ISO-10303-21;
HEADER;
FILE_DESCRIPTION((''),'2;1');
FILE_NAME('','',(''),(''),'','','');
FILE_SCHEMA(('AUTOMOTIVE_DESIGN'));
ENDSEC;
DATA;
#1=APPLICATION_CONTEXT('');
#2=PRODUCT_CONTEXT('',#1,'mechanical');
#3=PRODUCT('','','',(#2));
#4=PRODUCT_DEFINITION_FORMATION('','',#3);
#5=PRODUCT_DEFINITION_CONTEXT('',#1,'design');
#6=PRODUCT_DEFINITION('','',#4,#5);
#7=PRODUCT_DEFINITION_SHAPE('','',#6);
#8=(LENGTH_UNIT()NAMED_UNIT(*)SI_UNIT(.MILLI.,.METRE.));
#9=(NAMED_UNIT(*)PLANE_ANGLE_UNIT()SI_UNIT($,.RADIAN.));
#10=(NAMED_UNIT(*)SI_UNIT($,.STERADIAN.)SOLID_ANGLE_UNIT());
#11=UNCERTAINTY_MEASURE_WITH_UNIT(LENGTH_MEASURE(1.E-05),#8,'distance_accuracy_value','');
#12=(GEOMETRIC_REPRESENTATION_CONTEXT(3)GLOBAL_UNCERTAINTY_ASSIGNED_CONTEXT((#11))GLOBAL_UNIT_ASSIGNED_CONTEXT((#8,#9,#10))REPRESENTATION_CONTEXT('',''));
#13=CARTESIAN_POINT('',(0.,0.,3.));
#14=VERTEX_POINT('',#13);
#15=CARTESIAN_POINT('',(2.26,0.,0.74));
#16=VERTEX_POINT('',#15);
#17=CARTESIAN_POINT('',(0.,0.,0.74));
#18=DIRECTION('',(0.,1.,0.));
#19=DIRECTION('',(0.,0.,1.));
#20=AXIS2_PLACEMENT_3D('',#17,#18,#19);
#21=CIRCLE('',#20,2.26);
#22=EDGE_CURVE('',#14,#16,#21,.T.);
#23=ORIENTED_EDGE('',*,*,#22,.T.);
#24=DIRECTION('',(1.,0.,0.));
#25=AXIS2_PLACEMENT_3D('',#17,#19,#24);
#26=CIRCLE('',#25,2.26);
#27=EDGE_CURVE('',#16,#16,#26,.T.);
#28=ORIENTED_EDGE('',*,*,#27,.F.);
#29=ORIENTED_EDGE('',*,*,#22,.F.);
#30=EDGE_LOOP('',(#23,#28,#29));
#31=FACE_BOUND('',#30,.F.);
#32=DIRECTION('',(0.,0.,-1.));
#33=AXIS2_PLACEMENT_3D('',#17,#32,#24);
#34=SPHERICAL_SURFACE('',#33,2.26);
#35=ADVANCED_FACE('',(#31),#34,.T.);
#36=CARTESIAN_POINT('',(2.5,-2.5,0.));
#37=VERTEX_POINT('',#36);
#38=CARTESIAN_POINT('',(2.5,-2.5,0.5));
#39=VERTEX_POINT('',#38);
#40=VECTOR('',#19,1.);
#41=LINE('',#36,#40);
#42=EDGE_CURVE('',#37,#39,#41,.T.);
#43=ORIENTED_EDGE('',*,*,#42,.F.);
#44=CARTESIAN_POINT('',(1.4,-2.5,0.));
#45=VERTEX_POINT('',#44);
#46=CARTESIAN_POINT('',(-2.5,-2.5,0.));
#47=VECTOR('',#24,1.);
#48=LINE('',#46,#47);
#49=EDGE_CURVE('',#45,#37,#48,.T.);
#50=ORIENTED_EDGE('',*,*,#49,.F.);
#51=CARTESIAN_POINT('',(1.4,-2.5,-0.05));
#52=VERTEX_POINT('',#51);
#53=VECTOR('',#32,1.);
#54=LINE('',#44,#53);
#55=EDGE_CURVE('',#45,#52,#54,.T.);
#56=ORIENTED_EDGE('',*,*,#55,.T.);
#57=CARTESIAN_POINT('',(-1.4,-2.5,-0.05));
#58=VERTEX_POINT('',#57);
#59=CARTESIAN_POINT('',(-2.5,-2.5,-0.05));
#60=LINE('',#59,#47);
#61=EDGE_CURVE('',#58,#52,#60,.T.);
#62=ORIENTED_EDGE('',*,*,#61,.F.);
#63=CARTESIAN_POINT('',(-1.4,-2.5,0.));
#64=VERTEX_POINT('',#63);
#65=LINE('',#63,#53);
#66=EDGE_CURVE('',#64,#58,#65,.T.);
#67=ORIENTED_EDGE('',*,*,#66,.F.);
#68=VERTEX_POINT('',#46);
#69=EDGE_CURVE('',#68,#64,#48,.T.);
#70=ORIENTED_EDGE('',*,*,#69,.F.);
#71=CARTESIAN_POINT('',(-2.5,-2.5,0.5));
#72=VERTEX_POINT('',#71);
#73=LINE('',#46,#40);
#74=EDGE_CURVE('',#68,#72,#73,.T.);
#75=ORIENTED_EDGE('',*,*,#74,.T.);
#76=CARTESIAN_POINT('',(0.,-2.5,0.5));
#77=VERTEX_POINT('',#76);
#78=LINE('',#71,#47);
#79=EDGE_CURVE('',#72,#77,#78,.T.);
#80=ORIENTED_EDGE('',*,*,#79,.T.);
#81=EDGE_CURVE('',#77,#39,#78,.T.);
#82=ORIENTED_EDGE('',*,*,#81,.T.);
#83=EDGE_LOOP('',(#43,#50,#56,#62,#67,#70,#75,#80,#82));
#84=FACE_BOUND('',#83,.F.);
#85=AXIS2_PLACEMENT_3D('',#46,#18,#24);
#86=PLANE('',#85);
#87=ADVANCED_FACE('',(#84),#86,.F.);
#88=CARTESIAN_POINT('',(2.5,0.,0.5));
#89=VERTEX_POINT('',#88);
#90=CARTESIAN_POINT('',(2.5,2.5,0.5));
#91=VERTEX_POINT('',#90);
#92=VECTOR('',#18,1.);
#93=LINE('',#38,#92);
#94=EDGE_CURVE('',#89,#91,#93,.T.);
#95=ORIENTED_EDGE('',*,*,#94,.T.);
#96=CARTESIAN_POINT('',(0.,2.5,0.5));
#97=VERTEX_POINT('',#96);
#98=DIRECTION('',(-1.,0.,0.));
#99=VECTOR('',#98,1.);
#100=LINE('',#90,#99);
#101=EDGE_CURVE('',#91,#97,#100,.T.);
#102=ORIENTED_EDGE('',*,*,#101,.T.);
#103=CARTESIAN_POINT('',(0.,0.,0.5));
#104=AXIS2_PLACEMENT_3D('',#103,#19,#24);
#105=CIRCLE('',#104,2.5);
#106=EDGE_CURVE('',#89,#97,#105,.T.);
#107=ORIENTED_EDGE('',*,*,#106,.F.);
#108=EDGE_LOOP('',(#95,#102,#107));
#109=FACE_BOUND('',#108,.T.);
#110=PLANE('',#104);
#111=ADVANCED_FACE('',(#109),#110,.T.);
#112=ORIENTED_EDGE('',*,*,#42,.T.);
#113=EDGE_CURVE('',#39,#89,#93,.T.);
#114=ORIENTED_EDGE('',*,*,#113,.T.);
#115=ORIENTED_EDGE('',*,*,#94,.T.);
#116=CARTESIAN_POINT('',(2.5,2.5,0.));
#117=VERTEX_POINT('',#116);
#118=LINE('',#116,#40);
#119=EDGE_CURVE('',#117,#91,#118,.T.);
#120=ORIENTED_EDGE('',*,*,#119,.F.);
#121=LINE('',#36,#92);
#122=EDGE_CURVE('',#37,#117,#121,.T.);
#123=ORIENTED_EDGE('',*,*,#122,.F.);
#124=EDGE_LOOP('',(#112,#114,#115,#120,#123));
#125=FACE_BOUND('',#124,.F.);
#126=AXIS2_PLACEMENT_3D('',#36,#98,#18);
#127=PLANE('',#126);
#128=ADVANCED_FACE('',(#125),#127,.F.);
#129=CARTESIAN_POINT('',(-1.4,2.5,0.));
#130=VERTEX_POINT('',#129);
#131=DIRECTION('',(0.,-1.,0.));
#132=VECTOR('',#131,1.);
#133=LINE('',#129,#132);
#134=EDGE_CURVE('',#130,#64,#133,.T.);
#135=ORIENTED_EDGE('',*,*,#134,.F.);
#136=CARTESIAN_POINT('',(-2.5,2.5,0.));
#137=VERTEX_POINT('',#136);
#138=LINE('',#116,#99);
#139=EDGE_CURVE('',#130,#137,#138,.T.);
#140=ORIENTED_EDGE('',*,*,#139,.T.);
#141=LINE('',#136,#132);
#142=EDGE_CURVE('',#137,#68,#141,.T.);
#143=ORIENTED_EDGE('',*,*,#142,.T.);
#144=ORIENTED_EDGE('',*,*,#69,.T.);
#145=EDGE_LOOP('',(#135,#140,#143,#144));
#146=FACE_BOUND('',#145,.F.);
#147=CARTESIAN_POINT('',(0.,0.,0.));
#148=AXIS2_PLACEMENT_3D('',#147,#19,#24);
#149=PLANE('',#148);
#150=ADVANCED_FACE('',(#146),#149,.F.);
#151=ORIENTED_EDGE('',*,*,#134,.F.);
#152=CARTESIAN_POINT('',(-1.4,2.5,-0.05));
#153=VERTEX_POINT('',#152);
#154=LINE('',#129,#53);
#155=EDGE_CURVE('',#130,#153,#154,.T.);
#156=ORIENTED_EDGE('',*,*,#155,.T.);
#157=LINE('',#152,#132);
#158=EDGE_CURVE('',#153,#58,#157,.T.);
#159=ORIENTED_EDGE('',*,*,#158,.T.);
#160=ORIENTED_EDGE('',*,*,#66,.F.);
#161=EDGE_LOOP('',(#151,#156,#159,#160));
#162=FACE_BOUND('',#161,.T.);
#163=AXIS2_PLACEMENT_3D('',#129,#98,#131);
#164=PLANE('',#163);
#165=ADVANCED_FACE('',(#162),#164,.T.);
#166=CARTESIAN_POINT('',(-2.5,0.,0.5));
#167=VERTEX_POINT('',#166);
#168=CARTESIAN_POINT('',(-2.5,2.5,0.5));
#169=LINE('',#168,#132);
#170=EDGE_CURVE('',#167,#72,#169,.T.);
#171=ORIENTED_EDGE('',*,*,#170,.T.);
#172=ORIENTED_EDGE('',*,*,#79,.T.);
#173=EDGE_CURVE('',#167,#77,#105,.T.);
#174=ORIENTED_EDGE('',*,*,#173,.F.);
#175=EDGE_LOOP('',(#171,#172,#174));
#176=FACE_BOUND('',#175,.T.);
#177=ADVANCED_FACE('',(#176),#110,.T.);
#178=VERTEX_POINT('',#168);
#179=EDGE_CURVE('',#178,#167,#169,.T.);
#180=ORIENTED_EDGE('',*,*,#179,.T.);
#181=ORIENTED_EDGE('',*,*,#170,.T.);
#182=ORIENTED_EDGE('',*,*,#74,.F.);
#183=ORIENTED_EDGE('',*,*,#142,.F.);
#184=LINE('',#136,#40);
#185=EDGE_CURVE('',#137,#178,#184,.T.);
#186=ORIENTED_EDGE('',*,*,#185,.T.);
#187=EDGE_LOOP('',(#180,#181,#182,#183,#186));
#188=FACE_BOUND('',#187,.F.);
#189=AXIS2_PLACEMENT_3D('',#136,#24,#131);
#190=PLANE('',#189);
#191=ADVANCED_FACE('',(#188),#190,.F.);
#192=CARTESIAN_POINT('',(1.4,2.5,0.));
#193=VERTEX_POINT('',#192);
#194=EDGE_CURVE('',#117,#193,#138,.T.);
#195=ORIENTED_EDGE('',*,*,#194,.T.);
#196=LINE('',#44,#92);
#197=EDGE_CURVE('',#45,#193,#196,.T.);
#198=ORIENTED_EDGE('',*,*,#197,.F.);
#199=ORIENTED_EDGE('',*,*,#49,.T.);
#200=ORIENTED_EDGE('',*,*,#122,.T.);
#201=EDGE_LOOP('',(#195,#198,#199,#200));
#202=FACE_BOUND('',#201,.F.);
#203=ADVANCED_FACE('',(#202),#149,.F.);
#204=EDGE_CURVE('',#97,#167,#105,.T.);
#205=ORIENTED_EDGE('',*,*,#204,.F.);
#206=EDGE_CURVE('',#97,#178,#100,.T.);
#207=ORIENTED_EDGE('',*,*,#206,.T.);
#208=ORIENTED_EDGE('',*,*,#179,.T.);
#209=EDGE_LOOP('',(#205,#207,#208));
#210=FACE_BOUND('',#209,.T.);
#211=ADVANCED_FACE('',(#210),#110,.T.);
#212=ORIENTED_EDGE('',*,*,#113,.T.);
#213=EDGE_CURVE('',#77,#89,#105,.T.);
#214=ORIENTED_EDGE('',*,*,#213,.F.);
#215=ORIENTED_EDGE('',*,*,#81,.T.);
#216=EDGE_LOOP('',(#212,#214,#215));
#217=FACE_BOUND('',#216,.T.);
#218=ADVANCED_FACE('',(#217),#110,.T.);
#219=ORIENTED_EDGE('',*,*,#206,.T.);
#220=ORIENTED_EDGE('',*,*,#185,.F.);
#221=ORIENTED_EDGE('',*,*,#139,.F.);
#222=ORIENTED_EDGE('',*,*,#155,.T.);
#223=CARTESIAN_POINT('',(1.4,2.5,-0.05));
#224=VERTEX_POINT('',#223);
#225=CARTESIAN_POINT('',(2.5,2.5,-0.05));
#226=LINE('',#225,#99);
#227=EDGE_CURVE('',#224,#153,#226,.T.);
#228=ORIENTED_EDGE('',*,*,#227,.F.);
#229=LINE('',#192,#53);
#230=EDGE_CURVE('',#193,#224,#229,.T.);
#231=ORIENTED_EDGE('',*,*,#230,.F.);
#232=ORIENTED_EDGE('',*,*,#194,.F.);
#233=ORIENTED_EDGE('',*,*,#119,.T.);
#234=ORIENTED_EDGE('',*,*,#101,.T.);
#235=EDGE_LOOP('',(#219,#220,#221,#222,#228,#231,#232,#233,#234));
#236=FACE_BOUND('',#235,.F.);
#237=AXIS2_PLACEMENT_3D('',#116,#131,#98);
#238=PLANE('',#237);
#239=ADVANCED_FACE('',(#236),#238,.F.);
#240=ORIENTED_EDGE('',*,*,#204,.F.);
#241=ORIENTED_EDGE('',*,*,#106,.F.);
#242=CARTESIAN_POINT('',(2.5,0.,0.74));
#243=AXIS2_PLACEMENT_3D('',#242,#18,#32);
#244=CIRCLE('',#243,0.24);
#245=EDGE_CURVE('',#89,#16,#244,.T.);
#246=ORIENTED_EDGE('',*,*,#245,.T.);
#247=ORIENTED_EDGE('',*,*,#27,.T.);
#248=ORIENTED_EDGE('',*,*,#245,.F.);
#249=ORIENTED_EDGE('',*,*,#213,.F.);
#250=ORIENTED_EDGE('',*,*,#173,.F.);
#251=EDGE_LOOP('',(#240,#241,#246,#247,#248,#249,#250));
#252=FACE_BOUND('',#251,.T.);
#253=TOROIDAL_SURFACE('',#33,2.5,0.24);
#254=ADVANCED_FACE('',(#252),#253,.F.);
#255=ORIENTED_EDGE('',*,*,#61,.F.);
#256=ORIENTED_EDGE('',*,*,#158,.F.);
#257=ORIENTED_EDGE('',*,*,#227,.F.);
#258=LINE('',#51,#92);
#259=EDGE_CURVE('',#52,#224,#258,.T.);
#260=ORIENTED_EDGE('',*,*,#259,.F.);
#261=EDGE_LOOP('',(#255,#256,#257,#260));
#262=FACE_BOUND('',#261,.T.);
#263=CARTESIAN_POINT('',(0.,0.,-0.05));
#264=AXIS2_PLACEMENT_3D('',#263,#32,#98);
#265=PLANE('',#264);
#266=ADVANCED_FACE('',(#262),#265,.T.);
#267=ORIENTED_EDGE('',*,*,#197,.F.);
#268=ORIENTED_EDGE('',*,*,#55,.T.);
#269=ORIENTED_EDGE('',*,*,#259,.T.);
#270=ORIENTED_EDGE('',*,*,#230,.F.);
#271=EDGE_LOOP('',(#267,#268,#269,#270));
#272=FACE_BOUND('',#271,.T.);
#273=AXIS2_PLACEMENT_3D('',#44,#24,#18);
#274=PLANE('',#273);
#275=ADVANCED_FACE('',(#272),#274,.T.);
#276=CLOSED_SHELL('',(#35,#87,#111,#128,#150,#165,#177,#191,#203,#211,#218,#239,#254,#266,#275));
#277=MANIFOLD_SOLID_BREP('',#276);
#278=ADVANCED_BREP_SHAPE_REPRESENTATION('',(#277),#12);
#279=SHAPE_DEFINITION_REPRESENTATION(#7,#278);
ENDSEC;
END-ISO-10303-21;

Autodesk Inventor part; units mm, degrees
ref_plane "YZ Plane" through (0, 0, 0) normal (1, 0, 0) x (0, 1, 0)
ref_plane "XZ Plane" through (0, 0, 0) normal (0, 1, 0) x (-1, 0, 0)
ref_plane "XY Plane" through (0, 0, 0) normal (0, 0, 1) x (1, 0, 0)
sketch "Skizze1" plane through (0, 0, 0) normal (0, 0, 1) x (1, 0, 0)
  line L0 (-2.5, -2.5) -> (2.5, -2.5)
  line L1 (2.5, -2.5) -> (2.5, 2.5)
  line L2 (2.5, 2.5) -> (-2.5, 2.5)
  line L3 (-2.5, 2.5) -> (-2.5, -2.5)
  line L4 (-2.5, -2.5) -> (2.5, 2.5) construction
  line L5 (2.5, -2.5) -> (-2.5, 2.5) construction
  point P0 (0, 0)
  dimension "d0" = 5
  dimension "d1" = 5
extrude "Extrusion1" add sketch "Skizze1" along normal blind 0.5
sketch "Skizze2" plane through (0, 0, 0) normal (0, 1, 0) x (-1, 0, 0)
  line L0 (2.5, 0) -> (-2.5, 0) projected
  line L1 (-2.5, 0) -> (-2.5, 0.5) projected
  line L2 (2.5, 0.5) -> (-2.5, 0.5) projected
  line L3 (2.5, 0) -> (2.5, 0.5) projected
  line L4 (0, 0.5) -> (0, 3)
  arc A0 (0, 3) -> (-2.26, 0.74) centre (0, 0.74) ccw
  line L5 (-2.5, 0.5) -> (2.5, 0.5) projected
  arc A1 (-2.5, 0.5) -> (-2.26, 0.74) centre (-2.5, 0.74) ccw
  line L6 (0, 0.5) -> (-2.5, 0.5)
  line L7 (0, -0.6936) -> (0, 4.1617) projected
  point P0 (0, 0)
  dimension "d4" = 2.26
  dimension "d5" = 3
revolve "Umdrehung1" add sketch "Skizze2" angle 360 about axis through (0, 0, -10) along (0, 0, 1) contours L2 A1 A0 L4
sketch "Skizze3" plane through (0, 0, 0) normal (0, 0, -1) x (-1, 0, 0)
  line L0 (2.5, -2.5) -> (-2.5, -2.5) projected
  line L1 (2.5, 2.5) -> (2.5, -2.5) projected
  line L2 (-2.5, 2.5) -> (2.5, 2.5) projected
  line L3 (-2.5, -2.5) -> (-2.5, 2.5) projected
  line L4 (2.5, -2.5) -> (-2.5, -2.5) projected
  line L5 (-2.5, 2.5) -> (2.5, 2.5) projected
  line L6 (1.4, -2.5) -> (-1.4, -2.5)
  line L7 (-1.4, -2.5) -> (-1.4, 2.5)
  line L8 (-1.4, 2.5) -> (1.4, 2.5)
  line L9 (1.4, 2.5) -> (1.4, -2.5)
  line L10 (0, -2.5) -> (0, 2.5) construction
  point P0 (0, 0)
  dimension "d7" = 2.8
extrude "Extrusion2" add sketch "Skizze3" along normal blind 0.05 contours L0 L7 L2 L9
properties part number "CREE XLamp 1W 5x5"
